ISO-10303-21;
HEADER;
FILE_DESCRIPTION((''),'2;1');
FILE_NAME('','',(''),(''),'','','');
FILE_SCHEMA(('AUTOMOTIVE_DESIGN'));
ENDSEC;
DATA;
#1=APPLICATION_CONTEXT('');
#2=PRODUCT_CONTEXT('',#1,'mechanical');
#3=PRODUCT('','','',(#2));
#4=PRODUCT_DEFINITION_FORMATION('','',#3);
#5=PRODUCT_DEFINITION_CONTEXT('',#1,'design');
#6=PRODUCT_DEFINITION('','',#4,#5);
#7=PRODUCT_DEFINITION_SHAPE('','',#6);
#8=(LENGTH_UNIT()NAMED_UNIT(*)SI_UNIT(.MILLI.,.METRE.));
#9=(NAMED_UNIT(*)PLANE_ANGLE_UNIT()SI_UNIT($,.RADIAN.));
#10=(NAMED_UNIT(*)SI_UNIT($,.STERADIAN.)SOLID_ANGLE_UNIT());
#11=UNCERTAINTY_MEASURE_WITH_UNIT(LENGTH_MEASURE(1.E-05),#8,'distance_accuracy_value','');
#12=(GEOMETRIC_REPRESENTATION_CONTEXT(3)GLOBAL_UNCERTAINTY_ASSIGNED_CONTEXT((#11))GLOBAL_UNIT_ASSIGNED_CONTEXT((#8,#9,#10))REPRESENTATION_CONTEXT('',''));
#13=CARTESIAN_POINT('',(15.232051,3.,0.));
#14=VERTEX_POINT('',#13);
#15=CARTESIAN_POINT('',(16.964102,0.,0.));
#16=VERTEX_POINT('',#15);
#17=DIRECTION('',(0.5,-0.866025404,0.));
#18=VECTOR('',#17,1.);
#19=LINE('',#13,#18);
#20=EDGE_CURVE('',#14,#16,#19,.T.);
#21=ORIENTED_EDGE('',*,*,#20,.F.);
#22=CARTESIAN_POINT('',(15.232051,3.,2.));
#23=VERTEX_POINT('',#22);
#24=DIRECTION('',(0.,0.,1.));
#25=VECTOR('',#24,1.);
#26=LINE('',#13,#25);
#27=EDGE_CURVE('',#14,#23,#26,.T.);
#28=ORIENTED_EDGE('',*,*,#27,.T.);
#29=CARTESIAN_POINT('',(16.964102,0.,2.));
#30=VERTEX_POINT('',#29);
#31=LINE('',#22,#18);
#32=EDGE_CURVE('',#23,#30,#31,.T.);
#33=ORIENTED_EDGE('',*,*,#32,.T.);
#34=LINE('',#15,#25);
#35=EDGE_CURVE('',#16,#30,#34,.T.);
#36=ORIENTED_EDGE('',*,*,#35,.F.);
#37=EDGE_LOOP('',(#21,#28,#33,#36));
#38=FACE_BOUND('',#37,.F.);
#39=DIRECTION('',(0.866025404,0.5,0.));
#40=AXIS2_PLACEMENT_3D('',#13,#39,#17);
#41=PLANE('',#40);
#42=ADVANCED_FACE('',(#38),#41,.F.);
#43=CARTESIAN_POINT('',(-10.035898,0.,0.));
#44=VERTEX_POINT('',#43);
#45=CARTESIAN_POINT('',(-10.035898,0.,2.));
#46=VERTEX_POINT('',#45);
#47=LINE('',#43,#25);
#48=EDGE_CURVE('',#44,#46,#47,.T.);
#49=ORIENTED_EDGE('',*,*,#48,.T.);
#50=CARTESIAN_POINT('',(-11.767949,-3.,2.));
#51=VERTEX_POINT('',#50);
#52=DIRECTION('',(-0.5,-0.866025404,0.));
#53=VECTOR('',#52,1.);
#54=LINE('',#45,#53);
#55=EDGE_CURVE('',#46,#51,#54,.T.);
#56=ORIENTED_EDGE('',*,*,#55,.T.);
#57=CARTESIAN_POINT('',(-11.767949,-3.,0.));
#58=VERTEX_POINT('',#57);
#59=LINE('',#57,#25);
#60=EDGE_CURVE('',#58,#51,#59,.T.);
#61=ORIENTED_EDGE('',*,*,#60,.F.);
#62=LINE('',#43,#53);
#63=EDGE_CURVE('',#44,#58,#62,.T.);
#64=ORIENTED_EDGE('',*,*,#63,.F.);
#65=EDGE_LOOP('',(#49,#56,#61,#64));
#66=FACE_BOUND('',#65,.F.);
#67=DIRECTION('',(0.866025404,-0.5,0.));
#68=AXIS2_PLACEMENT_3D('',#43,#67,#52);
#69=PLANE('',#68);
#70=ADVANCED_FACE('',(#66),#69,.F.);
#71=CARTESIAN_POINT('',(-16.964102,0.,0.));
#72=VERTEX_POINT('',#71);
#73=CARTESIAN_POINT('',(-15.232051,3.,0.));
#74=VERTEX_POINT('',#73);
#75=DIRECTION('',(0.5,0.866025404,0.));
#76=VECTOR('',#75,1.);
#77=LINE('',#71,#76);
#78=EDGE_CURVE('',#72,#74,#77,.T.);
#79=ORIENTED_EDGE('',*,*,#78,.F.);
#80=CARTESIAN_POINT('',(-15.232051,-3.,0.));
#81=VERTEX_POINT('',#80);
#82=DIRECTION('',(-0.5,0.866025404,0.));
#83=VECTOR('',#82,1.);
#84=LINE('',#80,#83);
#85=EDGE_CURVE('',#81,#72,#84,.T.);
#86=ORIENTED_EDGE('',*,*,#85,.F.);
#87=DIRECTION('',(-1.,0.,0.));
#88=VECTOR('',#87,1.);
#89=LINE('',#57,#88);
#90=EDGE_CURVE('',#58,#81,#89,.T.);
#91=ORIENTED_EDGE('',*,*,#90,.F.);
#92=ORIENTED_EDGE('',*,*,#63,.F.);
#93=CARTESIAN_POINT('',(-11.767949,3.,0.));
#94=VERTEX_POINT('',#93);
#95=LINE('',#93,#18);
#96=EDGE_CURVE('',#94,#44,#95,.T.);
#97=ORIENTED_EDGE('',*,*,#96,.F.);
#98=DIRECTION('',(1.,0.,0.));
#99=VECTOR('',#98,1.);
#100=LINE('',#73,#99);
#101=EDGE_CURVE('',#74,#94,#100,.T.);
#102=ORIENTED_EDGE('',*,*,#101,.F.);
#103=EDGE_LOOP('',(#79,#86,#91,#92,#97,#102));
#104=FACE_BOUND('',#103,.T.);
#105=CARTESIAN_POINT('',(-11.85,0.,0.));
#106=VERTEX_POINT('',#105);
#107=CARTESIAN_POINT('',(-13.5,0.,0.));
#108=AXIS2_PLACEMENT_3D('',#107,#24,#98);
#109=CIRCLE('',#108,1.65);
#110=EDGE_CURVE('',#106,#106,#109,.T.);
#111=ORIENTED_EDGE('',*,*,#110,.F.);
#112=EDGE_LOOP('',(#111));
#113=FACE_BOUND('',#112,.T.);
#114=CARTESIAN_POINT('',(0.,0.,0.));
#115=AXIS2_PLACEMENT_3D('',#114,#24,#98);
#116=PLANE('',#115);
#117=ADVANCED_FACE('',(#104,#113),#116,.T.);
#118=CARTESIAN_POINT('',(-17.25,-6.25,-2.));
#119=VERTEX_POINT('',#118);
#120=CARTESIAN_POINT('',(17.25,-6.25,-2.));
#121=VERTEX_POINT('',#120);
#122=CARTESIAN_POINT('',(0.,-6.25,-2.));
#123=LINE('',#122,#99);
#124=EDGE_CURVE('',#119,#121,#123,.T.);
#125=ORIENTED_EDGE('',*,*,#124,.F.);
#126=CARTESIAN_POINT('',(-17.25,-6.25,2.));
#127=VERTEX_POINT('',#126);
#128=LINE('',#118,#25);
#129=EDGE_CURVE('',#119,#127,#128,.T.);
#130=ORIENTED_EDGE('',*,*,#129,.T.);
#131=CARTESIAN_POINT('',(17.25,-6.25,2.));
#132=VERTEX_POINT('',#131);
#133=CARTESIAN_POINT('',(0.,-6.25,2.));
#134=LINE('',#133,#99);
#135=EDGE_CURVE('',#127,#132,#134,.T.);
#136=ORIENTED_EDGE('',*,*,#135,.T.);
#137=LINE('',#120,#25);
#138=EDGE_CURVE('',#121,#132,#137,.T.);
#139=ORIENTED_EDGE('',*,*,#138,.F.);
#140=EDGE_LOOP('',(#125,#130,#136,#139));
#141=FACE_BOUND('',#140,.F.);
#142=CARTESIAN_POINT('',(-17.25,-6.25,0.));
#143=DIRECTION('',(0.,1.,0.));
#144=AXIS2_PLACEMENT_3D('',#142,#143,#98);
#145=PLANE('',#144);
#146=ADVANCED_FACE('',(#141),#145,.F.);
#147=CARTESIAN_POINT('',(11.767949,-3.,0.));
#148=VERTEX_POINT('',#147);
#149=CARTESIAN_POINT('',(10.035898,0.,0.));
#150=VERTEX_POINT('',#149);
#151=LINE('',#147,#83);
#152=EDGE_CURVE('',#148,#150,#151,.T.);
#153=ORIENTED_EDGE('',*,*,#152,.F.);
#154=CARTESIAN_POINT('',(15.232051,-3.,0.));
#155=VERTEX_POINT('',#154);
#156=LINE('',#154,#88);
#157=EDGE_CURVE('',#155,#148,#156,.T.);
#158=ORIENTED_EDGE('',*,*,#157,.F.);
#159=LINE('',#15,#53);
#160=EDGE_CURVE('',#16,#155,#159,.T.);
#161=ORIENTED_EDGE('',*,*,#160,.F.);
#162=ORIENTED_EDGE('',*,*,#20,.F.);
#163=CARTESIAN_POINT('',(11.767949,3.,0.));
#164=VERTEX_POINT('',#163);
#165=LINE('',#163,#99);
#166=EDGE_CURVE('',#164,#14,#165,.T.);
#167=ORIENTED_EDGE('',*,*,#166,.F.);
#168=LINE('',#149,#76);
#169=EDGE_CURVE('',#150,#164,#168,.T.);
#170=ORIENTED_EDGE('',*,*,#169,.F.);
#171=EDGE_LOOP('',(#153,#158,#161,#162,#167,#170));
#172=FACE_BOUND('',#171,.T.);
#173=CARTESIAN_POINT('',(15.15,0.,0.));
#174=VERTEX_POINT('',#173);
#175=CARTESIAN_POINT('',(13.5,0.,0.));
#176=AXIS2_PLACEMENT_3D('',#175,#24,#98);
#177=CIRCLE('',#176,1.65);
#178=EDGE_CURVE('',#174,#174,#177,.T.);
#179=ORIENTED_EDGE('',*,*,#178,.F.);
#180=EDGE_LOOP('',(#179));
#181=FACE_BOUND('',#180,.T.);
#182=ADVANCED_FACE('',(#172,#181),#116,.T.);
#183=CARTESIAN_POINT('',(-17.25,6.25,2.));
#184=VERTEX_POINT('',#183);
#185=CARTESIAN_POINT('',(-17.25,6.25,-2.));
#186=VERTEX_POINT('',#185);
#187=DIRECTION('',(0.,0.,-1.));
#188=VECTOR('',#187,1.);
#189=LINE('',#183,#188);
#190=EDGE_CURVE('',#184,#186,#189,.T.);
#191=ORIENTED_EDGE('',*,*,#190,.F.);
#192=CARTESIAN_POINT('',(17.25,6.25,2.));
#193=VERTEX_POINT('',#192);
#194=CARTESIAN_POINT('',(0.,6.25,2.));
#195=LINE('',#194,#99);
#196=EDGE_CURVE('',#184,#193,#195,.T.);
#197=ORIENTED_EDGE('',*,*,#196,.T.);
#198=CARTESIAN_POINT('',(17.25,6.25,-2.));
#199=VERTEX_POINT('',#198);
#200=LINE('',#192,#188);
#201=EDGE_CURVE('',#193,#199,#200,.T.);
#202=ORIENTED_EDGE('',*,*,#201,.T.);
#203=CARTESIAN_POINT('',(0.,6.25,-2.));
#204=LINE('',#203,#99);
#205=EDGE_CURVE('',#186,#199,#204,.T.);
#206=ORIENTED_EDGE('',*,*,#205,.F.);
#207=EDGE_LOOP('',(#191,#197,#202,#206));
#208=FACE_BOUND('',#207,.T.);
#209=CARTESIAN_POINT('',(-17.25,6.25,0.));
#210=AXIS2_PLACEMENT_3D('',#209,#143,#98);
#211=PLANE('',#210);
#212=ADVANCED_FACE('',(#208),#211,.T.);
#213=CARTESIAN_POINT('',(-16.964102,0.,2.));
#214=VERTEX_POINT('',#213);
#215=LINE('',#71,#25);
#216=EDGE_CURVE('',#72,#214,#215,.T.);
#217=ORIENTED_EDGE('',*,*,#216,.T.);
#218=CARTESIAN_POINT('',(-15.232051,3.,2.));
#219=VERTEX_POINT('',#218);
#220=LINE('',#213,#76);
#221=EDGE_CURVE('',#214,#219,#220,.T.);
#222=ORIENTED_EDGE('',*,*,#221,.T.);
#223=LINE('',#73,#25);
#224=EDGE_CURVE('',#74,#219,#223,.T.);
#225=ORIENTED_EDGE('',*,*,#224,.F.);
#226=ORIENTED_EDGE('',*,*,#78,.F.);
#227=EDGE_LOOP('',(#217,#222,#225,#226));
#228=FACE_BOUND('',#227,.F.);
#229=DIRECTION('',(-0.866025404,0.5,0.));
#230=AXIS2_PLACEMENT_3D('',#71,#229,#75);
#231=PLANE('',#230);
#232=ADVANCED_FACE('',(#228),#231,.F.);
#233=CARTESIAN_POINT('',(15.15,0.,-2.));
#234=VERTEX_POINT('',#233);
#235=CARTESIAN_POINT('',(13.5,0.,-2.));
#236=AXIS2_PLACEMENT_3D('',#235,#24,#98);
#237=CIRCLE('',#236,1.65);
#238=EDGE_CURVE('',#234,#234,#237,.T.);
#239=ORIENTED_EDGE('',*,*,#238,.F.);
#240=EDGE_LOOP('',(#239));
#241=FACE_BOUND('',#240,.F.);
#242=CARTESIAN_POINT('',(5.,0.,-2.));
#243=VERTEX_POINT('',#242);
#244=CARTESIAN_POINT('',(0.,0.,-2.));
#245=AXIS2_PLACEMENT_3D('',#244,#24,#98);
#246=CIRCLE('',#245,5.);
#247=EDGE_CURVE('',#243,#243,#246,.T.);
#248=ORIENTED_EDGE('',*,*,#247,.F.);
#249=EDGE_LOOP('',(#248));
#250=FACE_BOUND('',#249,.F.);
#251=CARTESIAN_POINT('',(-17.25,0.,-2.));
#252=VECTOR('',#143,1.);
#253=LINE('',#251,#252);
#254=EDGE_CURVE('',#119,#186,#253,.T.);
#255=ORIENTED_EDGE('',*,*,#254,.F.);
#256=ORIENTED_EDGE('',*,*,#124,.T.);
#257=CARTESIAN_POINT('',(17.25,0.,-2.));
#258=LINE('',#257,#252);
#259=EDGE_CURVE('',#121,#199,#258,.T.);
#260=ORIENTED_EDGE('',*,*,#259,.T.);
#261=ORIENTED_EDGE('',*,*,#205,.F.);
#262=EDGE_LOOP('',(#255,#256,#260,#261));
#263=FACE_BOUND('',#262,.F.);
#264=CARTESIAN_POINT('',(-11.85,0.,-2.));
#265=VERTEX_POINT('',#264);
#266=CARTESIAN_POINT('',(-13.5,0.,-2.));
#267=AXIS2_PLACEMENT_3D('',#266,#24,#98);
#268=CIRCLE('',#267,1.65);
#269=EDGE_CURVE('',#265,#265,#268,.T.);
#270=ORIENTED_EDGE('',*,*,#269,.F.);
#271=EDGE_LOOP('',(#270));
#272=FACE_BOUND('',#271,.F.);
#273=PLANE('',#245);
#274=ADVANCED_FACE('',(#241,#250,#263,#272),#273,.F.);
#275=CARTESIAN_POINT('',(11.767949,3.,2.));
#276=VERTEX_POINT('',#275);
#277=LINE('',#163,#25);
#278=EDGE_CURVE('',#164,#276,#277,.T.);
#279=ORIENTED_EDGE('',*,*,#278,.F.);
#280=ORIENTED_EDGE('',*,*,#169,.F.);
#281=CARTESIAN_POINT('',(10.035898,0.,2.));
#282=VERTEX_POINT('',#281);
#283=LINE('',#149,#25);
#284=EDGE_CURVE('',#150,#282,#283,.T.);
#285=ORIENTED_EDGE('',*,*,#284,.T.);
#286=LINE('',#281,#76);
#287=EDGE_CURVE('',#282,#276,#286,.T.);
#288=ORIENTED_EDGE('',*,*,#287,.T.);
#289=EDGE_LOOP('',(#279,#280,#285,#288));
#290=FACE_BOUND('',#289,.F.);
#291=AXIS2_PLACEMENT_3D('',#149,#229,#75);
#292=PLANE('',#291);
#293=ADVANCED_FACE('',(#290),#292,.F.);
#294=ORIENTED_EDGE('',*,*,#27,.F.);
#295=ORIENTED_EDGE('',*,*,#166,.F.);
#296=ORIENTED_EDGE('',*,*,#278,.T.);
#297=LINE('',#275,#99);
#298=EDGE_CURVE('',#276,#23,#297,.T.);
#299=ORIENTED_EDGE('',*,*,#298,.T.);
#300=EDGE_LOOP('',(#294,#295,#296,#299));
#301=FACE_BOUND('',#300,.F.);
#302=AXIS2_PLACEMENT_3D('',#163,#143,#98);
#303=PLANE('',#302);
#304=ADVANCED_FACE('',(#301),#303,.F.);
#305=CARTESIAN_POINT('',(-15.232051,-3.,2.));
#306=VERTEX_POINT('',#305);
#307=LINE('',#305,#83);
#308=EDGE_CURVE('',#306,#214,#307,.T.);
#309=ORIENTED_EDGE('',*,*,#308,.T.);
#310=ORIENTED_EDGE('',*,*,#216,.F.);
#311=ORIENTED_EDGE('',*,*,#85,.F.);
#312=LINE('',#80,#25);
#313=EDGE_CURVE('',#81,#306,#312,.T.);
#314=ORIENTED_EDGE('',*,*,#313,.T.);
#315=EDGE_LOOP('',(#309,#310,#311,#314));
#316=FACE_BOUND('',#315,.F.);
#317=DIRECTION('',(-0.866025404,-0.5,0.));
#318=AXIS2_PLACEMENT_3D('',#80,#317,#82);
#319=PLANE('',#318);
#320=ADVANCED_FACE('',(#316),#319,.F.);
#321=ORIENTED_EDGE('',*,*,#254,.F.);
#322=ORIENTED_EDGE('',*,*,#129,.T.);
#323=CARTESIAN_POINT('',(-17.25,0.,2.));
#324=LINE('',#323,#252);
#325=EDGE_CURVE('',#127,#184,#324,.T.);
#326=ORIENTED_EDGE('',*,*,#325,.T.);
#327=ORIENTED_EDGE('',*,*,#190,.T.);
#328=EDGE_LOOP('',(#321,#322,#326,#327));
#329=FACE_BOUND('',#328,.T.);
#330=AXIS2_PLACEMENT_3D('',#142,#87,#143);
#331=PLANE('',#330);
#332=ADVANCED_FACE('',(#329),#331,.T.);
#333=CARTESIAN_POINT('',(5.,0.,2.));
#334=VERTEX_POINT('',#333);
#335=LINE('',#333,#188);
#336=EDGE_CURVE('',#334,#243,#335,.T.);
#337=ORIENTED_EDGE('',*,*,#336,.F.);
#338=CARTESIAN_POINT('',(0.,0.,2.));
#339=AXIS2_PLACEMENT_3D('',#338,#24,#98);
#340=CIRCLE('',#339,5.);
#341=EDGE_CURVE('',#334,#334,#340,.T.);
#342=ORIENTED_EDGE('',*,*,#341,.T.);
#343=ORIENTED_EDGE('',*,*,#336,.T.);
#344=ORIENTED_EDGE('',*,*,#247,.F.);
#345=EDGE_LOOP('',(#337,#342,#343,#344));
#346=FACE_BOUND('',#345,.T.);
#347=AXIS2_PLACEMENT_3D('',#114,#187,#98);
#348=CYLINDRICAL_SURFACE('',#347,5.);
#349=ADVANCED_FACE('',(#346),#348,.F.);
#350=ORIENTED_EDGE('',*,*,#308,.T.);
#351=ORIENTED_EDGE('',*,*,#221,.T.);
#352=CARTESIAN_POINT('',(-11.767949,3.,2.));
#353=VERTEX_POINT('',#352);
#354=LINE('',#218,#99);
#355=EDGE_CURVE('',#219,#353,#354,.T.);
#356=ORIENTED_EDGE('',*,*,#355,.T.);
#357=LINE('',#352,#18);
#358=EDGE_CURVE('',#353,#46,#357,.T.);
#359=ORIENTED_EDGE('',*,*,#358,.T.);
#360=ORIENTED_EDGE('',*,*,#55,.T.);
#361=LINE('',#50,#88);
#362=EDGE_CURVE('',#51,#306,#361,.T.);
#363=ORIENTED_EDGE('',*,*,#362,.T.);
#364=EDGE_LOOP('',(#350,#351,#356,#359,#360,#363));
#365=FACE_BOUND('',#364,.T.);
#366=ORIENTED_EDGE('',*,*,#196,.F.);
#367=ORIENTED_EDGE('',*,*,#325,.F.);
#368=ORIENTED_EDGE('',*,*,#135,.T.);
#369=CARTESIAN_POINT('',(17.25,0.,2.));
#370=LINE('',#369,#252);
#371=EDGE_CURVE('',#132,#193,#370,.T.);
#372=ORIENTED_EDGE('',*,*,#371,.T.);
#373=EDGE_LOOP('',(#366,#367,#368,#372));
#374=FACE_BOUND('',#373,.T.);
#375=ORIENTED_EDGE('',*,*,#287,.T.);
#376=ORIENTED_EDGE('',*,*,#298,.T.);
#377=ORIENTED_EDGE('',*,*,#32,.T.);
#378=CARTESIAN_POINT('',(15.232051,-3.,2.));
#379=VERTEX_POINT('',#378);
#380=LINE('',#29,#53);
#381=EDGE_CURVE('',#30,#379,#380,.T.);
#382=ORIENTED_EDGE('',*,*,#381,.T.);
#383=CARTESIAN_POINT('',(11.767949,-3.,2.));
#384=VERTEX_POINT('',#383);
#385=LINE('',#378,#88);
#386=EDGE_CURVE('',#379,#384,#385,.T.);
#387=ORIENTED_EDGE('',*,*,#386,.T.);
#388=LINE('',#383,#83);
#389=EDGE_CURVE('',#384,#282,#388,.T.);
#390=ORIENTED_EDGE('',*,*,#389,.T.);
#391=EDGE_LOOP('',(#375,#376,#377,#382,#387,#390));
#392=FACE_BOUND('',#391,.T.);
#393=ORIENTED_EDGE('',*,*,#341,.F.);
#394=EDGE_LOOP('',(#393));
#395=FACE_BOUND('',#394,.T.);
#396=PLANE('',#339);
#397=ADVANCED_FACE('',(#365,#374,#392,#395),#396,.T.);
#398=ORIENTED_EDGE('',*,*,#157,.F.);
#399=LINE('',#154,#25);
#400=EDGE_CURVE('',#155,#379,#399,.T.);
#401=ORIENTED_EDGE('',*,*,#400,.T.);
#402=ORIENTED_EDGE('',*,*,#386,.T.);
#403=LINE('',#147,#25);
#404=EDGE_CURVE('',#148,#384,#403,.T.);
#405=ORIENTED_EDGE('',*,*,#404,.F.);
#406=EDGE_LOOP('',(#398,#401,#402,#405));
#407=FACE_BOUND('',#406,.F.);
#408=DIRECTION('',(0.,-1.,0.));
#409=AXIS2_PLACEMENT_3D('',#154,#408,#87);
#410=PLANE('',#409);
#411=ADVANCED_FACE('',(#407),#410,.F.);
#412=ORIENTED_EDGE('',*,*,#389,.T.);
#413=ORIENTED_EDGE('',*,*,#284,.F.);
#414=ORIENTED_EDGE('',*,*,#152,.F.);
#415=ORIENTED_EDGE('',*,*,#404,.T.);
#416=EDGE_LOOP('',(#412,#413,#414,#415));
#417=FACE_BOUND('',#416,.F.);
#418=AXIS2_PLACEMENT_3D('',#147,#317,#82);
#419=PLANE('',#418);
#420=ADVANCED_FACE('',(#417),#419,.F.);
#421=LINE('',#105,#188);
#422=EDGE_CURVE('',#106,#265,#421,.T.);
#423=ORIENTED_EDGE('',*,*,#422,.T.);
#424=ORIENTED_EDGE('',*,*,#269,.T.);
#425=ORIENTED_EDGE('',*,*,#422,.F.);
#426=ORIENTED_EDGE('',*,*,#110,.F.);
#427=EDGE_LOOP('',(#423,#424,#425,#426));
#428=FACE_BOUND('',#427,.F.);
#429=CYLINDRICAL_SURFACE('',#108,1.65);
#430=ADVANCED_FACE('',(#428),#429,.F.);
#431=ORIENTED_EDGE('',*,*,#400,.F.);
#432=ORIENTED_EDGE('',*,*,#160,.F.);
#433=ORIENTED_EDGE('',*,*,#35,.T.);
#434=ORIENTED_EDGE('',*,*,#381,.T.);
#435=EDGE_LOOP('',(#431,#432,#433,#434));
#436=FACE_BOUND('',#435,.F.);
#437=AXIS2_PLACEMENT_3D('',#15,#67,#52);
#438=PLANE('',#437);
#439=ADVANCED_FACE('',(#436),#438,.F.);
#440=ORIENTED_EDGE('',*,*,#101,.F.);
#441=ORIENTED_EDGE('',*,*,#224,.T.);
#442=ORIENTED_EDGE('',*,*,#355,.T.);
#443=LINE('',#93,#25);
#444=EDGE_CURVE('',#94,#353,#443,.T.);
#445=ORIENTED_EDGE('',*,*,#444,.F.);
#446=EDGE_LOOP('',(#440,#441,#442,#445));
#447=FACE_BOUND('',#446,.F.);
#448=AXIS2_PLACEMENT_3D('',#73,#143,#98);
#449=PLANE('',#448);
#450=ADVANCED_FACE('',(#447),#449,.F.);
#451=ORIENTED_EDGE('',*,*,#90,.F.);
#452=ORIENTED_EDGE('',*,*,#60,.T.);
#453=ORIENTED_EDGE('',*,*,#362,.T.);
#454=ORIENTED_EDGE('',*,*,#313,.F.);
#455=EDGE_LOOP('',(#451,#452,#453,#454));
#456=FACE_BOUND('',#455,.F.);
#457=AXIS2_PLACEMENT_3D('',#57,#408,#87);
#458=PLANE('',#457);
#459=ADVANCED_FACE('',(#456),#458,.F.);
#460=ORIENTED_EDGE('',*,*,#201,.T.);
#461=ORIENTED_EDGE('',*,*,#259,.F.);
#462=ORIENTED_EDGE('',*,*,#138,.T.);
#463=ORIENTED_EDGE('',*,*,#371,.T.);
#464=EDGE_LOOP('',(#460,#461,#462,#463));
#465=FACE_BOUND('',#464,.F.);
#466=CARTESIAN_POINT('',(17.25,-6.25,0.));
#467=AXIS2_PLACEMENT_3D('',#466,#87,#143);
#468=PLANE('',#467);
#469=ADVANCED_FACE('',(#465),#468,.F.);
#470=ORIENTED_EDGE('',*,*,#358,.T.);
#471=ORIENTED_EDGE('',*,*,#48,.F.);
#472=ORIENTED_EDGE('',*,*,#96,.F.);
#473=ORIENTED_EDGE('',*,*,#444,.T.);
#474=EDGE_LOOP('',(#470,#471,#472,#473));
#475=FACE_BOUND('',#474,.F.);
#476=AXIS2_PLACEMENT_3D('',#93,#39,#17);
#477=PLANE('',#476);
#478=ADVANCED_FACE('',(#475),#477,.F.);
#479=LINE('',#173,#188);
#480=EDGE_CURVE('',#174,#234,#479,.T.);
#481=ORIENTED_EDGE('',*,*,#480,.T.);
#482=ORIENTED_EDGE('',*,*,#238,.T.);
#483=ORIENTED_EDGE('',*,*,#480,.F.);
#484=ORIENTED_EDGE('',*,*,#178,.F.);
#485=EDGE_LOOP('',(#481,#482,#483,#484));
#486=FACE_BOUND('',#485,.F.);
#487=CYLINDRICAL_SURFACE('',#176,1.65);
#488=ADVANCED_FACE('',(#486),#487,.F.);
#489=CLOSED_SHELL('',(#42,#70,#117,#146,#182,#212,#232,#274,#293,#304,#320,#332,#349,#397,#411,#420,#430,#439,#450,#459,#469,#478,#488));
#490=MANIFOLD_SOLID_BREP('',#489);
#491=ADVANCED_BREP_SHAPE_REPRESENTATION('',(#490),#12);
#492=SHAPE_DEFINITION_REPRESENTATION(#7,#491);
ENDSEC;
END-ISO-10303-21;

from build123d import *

# Parameters (mm, degrees)
F0_W     = 34.5
F0_H     = 12.5
F0_R     = 5
F0_R_2   = 1.65
F1_DEPTH = 2
F2_DEPTH = 2


with BuildPart() as f1:
    # F0 (on Top) → F1 (new body)
    with BuildSketch(Plane.XY):
        Rectangle(F0_W, F0_H)
        Polygon((-16.9641016151, 0), (-15.2320508076, 3), (-11.7679491924, 3), (-10.0358983849, 0), (-11.7679491924, -3), (-15.2320508076, -3), align=None, mode=Mode.SUBTRACT)
        Circle(F0_R, mode=Mode.SUBTRACT)
        Polygon((10.0358983849, 0), (11.7679491924, 3), (15.2320508076, 3), (16.9641016151, 0), (15.2320508076, -3), (11.7679491924, -3), align=None, mode=Mode.SUBTRACT)
        Polygon((-11.7679491924, 3), (-15.2320508076, 3), (-16.9641016151, 0), (-15.2320508076, -3), (-11.7679491924, -3), (-10.0358983849, 0), align=None)
        with Locations((-13.5, 0)):
            Circle(F0_R_2, mode=Mode.SUBTRACT)
        Polygon((15.2320508076, 3), (11.7679491924, 3), (10.0358983849, 0), (11.7679491924, -3), (15.2320508076, -3), (16.9641016151, 0), align=None)
        with Locations((13.5, 0)):
            Circle(F0_R_2, mode=Mode.SUBTRACT)
    extrude(amount=-F1_DEPTH)

    # F0 (on Top) → F2 (join)
    with BuildSketch(Plane.XY):
        Rectangle(F0_W, F0_H)
        Polygon((-16.9641016151, 0), (-15.2320508076, 3), (-11.7679491924, 3), (-10.0358983849, 0), (-11.7679491924, -3), (-15.2320508076, -3), align=None, mode=Mode.SUBTRACT)
        Circle(F0_R, mode=Mode.SUBTRACT)
        Polygon((10.0358983849, 0), (11.7679491924, 3), (15.2320508076, 3), (16.9641016151, 0), (15.2320508076, -3), (11.7679491924, -3), align=None, mode=Mode.SUBTRACT)
    extrude(amount=F2_DEPTH)


solid = f1.part
